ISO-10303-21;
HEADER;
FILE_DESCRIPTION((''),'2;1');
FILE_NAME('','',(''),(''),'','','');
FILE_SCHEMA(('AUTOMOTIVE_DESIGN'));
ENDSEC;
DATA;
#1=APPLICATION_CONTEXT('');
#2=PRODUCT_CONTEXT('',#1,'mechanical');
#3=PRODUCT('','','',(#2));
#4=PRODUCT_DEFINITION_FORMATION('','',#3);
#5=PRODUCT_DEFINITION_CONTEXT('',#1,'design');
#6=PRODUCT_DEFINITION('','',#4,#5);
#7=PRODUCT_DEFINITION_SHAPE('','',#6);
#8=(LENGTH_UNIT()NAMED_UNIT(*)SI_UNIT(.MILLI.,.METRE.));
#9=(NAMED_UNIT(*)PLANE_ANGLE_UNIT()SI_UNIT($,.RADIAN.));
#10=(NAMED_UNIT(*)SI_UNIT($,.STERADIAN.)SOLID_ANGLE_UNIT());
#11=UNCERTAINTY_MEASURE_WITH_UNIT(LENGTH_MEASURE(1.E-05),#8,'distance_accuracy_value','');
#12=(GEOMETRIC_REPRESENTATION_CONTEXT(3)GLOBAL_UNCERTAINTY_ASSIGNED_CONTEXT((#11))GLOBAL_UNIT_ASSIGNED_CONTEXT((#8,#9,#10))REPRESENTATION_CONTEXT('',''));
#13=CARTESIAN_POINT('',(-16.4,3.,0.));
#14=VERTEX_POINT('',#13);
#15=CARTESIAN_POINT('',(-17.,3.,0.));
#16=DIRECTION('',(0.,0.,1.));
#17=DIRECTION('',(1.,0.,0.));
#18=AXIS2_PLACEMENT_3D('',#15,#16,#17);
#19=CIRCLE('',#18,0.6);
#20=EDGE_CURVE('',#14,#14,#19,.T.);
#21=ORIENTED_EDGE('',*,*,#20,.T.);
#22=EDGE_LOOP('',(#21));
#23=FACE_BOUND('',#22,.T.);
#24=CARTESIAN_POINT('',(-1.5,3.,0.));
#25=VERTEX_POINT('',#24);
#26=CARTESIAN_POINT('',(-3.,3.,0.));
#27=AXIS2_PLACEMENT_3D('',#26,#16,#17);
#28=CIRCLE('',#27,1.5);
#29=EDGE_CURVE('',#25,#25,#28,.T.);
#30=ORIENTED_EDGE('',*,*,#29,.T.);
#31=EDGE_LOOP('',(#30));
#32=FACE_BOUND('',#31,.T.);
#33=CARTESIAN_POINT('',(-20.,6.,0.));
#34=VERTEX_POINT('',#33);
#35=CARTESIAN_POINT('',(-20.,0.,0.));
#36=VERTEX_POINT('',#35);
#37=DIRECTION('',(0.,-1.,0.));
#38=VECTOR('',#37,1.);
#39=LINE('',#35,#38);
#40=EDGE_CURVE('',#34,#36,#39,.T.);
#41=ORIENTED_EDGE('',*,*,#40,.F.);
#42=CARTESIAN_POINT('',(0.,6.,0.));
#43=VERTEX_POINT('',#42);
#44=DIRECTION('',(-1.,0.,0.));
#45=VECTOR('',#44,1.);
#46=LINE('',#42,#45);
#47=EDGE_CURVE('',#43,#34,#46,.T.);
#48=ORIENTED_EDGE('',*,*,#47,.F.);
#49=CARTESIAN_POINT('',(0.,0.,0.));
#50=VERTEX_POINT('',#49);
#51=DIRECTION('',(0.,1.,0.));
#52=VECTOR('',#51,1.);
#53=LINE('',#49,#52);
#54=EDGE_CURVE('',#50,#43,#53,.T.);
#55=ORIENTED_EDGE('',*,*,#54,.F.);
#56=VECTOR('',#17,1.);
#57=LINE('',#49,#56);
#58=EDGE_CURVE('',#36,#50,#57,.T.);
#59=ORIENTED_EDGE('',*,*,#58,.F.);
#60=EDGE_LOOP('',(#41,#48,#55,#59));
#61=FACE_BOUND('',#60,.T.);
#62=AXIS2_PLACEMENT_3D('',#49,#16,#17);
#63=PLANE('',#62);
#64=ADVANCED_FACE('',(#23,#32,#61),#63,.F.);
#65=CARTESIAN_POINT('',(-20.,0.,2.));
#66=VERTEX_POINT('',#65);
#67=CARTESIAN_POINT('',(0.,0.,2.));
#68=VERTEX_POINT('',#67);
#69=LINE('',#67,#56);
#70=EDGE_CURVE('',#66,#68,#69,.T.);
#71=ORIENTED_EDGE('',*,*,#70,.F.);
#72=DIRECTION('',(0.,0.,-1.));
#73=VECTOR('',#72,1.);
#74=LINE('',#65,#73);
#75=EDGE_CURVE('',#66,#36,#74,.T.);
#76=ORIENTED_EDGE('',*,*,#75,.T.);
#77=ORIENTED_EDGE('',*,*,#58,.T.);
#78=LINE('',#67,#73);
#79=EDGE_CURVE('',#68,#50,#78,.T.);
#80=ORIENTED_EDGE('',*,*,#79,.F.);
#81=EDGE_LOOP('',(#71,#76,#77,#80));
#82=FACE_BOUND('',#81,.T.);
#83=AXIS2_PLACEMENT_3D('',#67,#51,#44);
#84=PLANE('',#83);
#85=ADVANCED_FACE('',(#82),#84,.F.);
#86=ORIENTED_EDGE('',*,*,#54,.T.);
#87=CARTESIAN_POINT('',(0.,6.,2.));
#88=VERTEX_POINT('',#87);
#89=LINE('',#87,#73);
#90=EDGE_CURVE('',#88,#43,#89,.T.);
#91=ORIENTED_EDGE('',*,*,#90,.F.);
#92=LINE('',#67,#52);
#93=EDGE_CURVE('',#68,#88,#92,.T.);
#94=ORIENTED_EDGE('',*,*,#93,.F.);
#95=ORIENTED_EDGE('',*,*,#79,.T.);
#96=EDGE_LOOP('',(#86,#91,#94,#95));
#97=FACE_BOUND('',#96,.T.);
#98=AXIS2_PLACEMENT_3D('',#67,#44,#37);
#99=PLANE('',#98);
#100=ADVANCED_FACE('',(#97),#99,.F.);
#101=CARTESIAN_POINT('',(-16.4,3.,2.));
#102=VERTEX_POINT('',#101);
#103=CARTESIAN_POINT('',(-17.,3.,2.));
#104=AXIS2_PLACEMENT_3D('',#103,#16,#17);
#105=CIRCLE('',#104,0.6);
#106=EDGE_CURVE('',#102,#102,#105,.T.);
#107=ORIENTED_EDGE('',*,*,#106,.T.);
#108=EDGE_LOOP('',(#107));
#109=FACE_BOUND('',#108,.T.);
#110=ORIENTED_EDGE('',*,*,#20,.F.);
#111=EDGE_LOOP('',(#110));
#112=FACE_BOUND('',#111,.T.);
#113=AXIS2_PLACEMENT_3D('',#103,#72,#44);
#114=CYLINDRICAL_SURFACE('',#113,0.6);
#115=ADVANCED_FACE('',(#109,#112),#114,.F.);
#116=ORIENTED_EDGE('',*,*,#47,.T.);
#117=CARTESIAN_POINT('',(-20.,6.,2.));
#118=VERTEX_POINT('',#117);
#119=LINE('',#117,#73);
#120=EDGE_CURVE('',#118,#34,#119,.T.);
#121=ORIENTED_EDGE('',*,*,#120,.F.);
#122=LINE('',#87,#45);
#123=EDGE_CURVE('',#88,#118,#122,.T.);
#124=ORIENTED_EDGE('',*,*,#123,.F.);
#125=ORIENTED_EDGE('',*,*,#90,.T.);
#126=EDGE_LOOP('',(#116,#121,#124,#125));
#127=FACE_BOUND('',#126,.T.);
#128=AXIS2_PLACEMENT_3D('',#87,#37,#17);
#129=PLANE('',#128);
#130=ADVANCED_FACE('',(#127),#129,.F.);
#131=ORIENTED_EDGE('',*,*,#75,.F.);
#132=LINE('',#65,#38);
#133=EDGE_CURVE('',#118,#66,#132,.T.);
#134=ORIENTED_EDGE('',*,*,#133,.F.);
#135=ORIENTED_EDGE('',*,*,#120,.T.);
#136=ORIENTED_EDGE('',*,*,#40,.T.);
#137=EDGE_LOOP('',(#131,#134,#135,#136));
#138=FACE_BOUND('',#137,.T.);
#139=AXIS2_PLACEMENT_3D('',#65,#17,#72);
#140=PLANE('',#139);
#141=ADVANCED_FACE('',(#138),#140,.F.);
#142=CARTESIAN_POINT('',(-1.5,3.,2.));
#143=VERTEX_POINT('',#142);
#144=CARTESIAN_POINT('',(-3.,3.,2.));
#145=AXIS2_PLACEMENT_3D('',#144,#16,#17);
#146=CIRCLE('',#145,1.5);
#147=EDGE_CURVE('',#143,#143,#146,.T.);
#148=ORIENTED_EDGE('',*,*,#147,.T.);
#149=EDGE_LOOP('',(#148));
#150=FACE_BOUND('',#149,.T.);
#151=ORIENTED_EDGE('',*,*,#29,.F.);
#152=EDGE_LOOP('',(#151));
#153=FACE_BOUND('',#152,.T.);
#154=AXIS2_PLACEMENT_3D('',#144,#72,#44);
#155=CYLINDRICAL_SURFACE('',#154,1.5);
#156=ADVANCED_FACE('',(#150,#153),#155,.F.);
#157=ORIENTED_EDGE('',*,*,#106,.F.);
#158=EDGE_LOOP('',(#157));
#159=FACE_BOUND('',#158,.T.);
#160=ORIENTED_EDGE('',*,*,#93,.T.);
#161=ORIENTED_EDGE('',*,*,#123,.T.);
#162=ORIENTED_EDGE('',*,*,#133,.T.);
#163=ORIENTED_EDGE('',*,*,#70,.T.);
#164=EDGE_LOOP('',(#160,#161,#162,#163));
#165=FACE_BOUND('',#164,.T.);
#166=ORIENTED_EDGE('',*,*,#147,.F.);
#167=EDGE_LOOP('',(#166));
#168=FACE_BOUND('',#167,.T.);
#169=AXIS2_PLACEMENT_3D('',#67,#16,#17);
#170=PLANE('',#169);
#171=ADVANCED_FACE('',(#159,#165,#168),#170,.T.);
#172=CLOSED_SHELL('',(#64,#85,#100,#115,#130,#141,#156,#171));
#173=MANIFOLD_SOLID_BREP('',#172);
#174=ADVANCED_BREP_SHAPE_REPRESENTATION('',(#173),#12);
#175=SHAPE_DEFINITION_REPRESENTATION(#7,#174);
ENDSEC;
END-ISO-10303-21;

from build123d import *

# Parameters (mm, degrees)
SKETCH1_W           = 20
SKETCH1_H           = 6
SKETCH1_R           = 0.6
SKETCH1_R_2         = 1.5
BOSS_EXTRUDE1_DEPTH = 2


with BuildPart() as part:
    # Sketch1 → Boss-Extrude1 (new body)
    with BuildSketch(Plane.XY):
        with Locations((-10, 3)):
            Rectangle(SKETCH1_W, SKETCH1_H)
        with Locations((-17, 3)):
            Circle(SKETCH1_R, mode=Mode.SUBTRACT)
        with Locations((-3, 3)):
            Circle(SKETCH1_R_2, mode=Mode.SUBTRACT)
    extrude(amount=BOSS_EXTRUDE1_DEPTH)


solid = part.part
